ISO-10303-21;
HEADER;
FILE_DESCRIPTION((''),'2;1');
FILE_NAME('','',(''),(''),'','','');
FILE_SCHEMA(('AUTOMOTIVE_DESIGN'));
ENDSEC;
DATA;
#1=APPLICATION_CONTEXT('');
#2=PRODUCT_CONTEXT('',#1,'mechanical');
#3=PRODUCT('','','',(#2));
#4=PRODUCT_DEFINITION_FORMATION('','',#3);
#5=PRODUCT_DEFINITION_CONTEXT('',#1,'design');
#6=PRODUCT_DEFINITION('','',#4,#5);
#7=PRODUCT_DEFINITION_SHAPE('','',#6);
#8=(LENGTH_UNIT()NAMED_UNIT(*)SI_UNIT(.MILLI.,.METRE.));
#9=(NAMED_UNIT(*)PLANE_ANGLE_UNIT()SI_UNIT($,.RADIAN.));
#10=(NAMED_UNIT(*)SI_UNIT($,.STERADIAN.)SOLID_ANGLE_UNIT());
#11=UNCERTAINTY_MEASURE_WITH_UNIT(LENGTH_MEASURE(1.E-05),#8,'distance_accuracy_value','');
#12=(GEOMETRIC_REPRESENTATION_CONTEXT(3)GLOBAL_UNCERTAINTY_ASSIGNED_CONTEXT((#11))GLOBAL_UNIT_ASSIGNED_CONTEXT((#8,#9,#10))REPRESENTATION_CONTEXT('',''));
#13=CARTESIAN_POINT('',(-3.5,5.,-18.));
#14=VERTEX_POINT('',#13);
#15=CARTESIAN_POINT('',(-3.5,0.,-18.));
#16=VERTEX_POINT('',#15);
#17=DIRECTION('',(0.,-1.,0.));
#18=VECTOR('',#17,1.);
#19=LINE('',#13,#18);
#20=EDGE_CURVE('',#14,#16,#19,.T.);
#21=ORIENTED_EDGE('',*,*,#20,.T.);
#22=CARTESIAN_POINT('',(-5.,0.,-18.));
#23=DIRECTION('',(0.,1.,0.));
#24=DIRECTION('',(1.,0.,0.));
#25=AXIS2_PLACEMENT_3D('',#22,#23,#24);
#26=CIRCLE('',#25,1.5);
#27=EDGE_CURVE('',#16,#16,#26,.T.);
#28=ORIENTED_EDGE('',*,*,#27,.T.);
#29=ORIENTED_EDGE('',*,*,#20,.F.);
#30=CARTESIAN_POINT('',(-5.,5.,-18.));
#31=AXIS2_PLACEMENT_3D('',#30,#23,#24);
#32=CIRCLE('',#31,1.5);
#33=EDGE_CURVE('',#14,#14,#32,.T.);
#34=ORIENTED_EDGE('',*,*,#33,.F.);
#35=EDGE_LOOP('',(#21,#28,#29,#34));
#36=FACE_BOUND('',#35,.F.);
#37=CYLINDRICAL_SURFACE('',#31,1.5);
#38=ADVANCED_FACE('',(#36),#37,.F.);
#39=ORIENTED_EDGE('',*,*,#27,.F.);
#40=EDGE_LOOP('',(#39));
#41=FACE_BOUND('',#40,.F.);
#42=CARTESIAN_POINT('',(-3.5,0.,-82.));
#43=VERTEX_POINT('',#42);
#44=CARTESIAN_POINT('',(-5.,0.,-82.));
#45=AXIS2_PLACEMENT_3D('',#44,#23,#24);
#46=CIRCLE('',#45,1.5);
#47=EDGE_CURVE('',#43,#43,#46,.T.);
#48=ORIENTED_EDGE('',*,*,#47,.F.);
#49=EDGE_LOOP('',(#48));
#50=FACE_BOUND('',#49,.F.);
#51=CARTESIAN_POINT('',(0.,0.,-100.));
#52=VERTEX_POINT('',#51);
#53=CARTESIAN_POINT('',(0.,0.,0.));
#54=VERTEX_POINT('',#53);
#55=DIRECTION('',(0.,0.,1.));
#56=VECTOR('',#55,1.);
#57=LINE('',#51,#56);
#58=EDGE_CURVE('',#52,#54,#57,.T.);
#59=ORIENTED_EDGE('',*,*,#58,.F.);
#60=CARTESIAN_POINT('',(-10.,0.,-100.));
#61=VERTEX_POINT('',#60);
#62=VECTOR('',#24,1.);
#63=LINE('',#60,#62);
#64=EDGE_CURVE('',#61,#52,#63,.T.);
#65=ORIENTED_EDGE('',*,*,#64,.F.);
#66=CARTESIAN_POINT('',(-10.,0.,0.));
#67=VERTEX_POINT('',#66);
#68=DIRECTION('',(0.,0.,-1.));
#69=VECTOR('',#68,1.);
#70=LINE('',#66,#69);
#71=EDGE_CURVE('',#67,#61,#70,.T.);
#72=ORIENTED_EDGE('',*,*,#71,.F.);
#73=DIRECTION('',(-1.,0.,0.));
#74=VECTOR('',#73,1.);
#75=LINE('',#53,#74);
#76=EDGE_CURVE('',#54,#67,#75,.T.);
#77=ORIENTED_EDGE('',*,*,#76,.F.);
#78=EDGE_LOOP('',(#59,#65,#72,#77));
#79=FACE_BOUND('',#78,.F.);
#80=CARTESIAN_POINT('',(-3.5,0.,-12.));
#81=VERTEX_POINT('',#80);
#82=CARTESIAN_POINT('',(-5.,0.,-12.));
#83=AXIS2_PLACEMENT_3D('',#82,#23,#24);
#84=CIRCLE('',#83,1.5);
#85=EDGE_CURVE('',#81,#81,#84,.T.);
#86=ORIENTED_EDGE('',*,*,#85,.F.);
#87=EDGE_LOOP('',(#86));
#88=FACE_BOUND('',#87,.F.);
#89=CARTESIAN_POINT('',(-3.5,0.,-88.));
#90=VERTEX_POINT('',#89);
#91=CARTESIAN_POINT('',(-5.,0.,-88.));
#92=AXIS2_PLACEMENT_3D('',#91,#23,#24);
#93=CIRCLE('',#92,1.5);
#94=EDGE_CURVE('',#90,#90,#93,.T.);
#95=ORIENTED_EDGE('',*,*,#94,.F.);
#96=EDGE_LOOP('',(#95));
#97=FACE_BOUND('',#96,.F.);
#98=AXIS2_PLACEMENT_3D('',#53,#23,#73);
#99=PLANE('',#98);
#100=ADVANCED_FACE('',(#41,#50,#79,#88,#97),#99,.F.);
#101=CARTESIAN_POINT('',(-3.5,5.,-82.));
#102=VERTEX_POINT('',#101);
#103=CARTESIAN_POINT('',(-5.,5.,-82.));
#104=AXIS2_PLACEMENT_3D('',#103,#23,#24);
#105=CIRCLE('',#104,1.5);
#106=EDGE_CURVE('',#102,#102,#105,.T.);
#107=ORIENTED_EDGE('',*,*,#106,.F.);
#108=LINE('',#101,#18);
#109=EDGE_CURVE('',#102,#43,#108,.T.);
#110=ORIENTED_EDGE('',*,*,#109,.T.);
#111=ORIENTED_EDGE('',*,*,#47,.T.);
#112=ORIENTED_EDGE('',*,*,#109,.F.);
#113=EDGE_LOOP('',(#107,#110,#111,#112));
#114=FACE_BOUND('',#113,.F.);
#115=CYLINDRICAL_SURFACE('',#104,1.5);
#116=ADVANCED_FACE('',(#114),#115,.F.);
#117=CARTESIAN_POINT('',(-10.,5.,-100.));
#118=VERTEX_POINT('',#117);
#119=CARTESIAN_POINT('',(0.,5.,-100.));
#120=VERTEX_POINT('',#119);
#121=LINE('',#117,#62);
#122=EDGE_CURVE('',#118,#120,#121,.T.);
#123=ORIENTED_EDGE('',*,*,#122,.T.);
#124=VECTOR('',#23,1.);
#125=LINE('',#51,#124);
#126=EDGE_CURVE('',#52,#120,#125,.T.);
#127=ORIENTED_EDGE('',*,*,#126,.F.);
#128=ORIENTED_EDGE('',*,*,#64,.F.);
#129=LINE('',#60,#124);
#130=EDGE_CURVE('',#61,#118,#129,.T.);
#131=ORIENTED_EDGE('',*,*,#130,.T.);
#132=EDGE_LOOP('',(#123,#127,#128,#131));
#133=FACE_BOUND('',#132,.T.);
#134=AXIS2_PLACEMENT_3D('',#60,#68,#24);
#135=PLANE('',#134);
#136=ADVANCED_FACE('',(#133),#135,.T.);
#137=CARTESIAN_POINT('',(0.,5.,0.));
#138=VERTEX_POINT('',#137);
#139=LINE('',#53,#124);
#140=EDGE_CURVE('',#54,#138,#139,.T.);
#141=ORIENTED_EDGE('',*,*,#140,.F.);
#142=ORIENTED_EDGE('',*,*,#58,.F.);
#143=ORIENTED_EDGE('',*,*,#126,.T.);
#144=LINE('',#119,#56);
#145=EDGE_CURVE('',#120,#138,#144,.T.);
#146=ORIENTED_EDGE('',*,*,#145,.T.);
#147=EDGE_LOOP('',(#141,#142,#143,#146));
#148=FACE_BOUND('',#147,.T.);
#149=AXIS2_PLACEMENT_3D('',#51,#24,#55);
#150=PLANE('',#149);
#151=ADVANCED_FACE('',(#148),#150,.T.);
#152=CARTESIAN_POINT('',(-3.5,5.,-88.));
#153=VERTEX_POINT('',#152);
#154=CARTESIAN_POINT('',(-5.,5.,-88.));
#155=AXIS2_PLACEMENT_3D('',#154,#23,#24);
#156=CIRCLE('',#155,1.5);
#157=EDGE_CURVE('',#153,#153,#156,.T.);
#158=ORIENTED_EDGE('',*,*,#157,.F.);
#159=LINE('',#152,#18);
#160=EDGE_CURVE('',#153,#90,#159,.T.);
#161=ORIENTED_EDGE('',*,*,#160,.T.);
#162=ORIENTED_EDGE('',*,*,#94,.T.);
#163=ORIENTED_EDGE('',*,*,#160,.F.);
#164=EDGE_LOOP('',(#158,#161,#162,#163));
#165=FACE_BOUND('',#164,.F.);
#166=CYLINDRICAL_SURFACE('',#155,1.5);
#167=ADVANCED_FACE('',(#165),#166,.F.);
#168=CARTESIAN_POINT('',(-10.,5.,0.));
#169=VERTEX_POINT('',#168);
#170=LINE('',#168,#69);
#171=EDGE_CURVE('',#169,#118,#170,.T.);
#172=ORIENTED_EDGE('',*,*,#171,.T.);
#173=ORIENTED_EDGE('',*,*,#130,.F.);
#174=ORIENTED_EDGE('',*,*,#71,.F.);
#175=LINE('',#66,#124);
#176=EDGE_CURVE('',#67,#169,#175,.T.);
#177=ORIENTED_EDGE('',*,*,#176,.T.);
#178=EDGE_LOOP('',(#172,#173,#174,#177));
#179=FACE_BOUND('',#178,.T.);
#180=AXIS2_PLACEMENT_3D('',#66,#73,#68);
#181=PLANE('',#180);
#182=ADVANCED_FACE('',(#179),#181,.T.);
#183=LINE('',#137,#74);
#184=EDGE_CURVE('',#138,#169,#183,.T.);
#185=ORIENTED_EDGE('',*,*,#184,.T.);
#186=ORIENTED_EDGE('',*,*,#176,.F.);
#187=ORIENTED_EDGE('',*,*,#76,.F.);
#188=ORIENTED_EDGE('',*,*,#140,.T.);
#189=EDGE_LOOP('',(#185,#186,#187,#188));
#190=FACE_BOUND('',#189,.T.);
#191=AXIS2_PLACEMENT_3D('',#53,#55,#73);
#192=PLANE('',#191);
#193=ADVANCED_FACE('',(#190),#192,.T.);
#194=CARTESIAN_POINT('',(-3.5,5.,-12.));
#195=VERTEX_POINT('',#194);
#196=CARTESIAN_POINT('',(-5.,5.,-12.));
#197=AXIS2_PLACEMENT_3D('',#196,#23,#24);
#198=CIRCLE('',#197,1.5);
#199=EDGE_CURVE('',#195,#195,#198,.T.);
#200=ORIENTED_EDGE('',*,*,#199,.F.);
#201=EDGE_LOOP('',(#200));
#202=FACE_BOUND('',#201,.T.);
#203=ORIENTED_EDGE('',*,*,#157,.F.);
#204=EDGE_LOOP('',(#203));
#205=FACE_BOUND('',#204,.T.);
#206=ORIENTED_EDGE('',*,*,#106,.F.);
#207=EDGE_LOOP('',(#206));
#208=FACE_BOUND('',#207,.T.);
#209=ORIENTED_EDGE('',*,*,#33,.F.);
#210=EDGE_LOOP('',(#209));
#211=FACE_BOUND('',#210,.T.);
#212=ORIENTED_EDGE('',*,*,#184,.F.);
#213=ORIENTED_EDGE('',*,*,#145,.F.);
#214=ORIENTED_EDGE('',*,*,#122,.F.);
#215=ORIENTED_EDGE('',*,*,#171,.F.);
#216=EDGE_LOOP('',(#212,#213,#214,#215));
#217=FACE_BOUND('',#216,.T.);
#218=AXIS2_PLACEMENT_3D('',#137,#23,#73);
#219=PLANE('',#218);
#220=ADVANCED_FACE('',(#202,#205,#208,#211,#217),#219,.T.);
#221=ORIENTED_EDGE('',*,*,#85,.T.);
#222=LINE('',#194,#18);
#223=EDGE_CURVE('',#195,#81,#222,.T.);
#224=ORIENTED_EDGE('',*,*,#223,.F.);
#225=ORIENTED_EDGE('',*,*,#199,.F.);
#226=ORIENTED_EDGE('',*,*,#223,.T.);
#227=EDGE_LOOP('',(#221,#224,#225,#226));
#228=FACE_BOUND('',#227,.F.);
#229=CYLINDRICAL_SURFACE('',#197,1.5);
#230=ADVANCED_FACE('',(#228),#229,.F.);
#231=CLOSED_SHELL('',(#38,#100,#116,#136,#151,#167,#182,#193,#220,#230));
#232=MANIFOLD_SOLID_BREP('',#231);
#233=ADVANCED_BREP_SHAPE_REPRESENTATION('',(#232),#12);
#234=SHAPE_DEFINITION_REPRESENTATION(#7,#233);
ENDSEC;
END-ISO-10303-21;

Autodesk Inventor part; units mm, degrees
ref_plane "YZ Plane" through (0, 0, 0) normal (1, 0, 0) x (0, 1, 0)
ref_plane "XZ Plane" through (0, 0, 0) normal (0, 1, 0) x (-1, 0, 0)
ref_plane "XY Plane" through (0, 0, 0) normal (0, 0, 1) x (1, 0, 0)
sketch "Sketch1" plane through (0, 0, 0) normal (0, 1, 0) x (-1, 0, 0)
  line L0 (0, 0) -> (10, 0)
  line L1 (10, 0) -> (10, -100)
  line L2 (10, -100) -> (0, -100)
  line L3 (0, -100) -> (0, 0)
  dimension "d0" = 10
  dimension "d1" = 100
extrude "Extrusion1" add sketch "Sketch1" along normal blind 5
sketch "Sketch2" plane through (0, 5, 0) normal (0, 1, 0) x (1, 0, 0)
  circle A0 centre (-5, 12) radius 1.5
  line L0 (0, 0) -> (0, 100) projected
  line L1 (-10, 0) -> (0, 0) projected
  circle A1 centre (-5, 18) radius 1.5
  line L2 (0, 0) -> (0, 50)
  circle A2 centre (-5, 88) radius 1.5
  circle A3 centre (-5, 82) radius 1.5
  dimension "d4" = 3
  dimension "d8" = 5
  dimension "d9" = 12
  dimension "d12" = 3
  dimension "d13" = 6
  dimension "d14" = 0
  dimension "d15" = 50
extrude "Extrusion2" cut sketch "Sketch2" against normal through all
properties part number "Soporte2_Dos"
